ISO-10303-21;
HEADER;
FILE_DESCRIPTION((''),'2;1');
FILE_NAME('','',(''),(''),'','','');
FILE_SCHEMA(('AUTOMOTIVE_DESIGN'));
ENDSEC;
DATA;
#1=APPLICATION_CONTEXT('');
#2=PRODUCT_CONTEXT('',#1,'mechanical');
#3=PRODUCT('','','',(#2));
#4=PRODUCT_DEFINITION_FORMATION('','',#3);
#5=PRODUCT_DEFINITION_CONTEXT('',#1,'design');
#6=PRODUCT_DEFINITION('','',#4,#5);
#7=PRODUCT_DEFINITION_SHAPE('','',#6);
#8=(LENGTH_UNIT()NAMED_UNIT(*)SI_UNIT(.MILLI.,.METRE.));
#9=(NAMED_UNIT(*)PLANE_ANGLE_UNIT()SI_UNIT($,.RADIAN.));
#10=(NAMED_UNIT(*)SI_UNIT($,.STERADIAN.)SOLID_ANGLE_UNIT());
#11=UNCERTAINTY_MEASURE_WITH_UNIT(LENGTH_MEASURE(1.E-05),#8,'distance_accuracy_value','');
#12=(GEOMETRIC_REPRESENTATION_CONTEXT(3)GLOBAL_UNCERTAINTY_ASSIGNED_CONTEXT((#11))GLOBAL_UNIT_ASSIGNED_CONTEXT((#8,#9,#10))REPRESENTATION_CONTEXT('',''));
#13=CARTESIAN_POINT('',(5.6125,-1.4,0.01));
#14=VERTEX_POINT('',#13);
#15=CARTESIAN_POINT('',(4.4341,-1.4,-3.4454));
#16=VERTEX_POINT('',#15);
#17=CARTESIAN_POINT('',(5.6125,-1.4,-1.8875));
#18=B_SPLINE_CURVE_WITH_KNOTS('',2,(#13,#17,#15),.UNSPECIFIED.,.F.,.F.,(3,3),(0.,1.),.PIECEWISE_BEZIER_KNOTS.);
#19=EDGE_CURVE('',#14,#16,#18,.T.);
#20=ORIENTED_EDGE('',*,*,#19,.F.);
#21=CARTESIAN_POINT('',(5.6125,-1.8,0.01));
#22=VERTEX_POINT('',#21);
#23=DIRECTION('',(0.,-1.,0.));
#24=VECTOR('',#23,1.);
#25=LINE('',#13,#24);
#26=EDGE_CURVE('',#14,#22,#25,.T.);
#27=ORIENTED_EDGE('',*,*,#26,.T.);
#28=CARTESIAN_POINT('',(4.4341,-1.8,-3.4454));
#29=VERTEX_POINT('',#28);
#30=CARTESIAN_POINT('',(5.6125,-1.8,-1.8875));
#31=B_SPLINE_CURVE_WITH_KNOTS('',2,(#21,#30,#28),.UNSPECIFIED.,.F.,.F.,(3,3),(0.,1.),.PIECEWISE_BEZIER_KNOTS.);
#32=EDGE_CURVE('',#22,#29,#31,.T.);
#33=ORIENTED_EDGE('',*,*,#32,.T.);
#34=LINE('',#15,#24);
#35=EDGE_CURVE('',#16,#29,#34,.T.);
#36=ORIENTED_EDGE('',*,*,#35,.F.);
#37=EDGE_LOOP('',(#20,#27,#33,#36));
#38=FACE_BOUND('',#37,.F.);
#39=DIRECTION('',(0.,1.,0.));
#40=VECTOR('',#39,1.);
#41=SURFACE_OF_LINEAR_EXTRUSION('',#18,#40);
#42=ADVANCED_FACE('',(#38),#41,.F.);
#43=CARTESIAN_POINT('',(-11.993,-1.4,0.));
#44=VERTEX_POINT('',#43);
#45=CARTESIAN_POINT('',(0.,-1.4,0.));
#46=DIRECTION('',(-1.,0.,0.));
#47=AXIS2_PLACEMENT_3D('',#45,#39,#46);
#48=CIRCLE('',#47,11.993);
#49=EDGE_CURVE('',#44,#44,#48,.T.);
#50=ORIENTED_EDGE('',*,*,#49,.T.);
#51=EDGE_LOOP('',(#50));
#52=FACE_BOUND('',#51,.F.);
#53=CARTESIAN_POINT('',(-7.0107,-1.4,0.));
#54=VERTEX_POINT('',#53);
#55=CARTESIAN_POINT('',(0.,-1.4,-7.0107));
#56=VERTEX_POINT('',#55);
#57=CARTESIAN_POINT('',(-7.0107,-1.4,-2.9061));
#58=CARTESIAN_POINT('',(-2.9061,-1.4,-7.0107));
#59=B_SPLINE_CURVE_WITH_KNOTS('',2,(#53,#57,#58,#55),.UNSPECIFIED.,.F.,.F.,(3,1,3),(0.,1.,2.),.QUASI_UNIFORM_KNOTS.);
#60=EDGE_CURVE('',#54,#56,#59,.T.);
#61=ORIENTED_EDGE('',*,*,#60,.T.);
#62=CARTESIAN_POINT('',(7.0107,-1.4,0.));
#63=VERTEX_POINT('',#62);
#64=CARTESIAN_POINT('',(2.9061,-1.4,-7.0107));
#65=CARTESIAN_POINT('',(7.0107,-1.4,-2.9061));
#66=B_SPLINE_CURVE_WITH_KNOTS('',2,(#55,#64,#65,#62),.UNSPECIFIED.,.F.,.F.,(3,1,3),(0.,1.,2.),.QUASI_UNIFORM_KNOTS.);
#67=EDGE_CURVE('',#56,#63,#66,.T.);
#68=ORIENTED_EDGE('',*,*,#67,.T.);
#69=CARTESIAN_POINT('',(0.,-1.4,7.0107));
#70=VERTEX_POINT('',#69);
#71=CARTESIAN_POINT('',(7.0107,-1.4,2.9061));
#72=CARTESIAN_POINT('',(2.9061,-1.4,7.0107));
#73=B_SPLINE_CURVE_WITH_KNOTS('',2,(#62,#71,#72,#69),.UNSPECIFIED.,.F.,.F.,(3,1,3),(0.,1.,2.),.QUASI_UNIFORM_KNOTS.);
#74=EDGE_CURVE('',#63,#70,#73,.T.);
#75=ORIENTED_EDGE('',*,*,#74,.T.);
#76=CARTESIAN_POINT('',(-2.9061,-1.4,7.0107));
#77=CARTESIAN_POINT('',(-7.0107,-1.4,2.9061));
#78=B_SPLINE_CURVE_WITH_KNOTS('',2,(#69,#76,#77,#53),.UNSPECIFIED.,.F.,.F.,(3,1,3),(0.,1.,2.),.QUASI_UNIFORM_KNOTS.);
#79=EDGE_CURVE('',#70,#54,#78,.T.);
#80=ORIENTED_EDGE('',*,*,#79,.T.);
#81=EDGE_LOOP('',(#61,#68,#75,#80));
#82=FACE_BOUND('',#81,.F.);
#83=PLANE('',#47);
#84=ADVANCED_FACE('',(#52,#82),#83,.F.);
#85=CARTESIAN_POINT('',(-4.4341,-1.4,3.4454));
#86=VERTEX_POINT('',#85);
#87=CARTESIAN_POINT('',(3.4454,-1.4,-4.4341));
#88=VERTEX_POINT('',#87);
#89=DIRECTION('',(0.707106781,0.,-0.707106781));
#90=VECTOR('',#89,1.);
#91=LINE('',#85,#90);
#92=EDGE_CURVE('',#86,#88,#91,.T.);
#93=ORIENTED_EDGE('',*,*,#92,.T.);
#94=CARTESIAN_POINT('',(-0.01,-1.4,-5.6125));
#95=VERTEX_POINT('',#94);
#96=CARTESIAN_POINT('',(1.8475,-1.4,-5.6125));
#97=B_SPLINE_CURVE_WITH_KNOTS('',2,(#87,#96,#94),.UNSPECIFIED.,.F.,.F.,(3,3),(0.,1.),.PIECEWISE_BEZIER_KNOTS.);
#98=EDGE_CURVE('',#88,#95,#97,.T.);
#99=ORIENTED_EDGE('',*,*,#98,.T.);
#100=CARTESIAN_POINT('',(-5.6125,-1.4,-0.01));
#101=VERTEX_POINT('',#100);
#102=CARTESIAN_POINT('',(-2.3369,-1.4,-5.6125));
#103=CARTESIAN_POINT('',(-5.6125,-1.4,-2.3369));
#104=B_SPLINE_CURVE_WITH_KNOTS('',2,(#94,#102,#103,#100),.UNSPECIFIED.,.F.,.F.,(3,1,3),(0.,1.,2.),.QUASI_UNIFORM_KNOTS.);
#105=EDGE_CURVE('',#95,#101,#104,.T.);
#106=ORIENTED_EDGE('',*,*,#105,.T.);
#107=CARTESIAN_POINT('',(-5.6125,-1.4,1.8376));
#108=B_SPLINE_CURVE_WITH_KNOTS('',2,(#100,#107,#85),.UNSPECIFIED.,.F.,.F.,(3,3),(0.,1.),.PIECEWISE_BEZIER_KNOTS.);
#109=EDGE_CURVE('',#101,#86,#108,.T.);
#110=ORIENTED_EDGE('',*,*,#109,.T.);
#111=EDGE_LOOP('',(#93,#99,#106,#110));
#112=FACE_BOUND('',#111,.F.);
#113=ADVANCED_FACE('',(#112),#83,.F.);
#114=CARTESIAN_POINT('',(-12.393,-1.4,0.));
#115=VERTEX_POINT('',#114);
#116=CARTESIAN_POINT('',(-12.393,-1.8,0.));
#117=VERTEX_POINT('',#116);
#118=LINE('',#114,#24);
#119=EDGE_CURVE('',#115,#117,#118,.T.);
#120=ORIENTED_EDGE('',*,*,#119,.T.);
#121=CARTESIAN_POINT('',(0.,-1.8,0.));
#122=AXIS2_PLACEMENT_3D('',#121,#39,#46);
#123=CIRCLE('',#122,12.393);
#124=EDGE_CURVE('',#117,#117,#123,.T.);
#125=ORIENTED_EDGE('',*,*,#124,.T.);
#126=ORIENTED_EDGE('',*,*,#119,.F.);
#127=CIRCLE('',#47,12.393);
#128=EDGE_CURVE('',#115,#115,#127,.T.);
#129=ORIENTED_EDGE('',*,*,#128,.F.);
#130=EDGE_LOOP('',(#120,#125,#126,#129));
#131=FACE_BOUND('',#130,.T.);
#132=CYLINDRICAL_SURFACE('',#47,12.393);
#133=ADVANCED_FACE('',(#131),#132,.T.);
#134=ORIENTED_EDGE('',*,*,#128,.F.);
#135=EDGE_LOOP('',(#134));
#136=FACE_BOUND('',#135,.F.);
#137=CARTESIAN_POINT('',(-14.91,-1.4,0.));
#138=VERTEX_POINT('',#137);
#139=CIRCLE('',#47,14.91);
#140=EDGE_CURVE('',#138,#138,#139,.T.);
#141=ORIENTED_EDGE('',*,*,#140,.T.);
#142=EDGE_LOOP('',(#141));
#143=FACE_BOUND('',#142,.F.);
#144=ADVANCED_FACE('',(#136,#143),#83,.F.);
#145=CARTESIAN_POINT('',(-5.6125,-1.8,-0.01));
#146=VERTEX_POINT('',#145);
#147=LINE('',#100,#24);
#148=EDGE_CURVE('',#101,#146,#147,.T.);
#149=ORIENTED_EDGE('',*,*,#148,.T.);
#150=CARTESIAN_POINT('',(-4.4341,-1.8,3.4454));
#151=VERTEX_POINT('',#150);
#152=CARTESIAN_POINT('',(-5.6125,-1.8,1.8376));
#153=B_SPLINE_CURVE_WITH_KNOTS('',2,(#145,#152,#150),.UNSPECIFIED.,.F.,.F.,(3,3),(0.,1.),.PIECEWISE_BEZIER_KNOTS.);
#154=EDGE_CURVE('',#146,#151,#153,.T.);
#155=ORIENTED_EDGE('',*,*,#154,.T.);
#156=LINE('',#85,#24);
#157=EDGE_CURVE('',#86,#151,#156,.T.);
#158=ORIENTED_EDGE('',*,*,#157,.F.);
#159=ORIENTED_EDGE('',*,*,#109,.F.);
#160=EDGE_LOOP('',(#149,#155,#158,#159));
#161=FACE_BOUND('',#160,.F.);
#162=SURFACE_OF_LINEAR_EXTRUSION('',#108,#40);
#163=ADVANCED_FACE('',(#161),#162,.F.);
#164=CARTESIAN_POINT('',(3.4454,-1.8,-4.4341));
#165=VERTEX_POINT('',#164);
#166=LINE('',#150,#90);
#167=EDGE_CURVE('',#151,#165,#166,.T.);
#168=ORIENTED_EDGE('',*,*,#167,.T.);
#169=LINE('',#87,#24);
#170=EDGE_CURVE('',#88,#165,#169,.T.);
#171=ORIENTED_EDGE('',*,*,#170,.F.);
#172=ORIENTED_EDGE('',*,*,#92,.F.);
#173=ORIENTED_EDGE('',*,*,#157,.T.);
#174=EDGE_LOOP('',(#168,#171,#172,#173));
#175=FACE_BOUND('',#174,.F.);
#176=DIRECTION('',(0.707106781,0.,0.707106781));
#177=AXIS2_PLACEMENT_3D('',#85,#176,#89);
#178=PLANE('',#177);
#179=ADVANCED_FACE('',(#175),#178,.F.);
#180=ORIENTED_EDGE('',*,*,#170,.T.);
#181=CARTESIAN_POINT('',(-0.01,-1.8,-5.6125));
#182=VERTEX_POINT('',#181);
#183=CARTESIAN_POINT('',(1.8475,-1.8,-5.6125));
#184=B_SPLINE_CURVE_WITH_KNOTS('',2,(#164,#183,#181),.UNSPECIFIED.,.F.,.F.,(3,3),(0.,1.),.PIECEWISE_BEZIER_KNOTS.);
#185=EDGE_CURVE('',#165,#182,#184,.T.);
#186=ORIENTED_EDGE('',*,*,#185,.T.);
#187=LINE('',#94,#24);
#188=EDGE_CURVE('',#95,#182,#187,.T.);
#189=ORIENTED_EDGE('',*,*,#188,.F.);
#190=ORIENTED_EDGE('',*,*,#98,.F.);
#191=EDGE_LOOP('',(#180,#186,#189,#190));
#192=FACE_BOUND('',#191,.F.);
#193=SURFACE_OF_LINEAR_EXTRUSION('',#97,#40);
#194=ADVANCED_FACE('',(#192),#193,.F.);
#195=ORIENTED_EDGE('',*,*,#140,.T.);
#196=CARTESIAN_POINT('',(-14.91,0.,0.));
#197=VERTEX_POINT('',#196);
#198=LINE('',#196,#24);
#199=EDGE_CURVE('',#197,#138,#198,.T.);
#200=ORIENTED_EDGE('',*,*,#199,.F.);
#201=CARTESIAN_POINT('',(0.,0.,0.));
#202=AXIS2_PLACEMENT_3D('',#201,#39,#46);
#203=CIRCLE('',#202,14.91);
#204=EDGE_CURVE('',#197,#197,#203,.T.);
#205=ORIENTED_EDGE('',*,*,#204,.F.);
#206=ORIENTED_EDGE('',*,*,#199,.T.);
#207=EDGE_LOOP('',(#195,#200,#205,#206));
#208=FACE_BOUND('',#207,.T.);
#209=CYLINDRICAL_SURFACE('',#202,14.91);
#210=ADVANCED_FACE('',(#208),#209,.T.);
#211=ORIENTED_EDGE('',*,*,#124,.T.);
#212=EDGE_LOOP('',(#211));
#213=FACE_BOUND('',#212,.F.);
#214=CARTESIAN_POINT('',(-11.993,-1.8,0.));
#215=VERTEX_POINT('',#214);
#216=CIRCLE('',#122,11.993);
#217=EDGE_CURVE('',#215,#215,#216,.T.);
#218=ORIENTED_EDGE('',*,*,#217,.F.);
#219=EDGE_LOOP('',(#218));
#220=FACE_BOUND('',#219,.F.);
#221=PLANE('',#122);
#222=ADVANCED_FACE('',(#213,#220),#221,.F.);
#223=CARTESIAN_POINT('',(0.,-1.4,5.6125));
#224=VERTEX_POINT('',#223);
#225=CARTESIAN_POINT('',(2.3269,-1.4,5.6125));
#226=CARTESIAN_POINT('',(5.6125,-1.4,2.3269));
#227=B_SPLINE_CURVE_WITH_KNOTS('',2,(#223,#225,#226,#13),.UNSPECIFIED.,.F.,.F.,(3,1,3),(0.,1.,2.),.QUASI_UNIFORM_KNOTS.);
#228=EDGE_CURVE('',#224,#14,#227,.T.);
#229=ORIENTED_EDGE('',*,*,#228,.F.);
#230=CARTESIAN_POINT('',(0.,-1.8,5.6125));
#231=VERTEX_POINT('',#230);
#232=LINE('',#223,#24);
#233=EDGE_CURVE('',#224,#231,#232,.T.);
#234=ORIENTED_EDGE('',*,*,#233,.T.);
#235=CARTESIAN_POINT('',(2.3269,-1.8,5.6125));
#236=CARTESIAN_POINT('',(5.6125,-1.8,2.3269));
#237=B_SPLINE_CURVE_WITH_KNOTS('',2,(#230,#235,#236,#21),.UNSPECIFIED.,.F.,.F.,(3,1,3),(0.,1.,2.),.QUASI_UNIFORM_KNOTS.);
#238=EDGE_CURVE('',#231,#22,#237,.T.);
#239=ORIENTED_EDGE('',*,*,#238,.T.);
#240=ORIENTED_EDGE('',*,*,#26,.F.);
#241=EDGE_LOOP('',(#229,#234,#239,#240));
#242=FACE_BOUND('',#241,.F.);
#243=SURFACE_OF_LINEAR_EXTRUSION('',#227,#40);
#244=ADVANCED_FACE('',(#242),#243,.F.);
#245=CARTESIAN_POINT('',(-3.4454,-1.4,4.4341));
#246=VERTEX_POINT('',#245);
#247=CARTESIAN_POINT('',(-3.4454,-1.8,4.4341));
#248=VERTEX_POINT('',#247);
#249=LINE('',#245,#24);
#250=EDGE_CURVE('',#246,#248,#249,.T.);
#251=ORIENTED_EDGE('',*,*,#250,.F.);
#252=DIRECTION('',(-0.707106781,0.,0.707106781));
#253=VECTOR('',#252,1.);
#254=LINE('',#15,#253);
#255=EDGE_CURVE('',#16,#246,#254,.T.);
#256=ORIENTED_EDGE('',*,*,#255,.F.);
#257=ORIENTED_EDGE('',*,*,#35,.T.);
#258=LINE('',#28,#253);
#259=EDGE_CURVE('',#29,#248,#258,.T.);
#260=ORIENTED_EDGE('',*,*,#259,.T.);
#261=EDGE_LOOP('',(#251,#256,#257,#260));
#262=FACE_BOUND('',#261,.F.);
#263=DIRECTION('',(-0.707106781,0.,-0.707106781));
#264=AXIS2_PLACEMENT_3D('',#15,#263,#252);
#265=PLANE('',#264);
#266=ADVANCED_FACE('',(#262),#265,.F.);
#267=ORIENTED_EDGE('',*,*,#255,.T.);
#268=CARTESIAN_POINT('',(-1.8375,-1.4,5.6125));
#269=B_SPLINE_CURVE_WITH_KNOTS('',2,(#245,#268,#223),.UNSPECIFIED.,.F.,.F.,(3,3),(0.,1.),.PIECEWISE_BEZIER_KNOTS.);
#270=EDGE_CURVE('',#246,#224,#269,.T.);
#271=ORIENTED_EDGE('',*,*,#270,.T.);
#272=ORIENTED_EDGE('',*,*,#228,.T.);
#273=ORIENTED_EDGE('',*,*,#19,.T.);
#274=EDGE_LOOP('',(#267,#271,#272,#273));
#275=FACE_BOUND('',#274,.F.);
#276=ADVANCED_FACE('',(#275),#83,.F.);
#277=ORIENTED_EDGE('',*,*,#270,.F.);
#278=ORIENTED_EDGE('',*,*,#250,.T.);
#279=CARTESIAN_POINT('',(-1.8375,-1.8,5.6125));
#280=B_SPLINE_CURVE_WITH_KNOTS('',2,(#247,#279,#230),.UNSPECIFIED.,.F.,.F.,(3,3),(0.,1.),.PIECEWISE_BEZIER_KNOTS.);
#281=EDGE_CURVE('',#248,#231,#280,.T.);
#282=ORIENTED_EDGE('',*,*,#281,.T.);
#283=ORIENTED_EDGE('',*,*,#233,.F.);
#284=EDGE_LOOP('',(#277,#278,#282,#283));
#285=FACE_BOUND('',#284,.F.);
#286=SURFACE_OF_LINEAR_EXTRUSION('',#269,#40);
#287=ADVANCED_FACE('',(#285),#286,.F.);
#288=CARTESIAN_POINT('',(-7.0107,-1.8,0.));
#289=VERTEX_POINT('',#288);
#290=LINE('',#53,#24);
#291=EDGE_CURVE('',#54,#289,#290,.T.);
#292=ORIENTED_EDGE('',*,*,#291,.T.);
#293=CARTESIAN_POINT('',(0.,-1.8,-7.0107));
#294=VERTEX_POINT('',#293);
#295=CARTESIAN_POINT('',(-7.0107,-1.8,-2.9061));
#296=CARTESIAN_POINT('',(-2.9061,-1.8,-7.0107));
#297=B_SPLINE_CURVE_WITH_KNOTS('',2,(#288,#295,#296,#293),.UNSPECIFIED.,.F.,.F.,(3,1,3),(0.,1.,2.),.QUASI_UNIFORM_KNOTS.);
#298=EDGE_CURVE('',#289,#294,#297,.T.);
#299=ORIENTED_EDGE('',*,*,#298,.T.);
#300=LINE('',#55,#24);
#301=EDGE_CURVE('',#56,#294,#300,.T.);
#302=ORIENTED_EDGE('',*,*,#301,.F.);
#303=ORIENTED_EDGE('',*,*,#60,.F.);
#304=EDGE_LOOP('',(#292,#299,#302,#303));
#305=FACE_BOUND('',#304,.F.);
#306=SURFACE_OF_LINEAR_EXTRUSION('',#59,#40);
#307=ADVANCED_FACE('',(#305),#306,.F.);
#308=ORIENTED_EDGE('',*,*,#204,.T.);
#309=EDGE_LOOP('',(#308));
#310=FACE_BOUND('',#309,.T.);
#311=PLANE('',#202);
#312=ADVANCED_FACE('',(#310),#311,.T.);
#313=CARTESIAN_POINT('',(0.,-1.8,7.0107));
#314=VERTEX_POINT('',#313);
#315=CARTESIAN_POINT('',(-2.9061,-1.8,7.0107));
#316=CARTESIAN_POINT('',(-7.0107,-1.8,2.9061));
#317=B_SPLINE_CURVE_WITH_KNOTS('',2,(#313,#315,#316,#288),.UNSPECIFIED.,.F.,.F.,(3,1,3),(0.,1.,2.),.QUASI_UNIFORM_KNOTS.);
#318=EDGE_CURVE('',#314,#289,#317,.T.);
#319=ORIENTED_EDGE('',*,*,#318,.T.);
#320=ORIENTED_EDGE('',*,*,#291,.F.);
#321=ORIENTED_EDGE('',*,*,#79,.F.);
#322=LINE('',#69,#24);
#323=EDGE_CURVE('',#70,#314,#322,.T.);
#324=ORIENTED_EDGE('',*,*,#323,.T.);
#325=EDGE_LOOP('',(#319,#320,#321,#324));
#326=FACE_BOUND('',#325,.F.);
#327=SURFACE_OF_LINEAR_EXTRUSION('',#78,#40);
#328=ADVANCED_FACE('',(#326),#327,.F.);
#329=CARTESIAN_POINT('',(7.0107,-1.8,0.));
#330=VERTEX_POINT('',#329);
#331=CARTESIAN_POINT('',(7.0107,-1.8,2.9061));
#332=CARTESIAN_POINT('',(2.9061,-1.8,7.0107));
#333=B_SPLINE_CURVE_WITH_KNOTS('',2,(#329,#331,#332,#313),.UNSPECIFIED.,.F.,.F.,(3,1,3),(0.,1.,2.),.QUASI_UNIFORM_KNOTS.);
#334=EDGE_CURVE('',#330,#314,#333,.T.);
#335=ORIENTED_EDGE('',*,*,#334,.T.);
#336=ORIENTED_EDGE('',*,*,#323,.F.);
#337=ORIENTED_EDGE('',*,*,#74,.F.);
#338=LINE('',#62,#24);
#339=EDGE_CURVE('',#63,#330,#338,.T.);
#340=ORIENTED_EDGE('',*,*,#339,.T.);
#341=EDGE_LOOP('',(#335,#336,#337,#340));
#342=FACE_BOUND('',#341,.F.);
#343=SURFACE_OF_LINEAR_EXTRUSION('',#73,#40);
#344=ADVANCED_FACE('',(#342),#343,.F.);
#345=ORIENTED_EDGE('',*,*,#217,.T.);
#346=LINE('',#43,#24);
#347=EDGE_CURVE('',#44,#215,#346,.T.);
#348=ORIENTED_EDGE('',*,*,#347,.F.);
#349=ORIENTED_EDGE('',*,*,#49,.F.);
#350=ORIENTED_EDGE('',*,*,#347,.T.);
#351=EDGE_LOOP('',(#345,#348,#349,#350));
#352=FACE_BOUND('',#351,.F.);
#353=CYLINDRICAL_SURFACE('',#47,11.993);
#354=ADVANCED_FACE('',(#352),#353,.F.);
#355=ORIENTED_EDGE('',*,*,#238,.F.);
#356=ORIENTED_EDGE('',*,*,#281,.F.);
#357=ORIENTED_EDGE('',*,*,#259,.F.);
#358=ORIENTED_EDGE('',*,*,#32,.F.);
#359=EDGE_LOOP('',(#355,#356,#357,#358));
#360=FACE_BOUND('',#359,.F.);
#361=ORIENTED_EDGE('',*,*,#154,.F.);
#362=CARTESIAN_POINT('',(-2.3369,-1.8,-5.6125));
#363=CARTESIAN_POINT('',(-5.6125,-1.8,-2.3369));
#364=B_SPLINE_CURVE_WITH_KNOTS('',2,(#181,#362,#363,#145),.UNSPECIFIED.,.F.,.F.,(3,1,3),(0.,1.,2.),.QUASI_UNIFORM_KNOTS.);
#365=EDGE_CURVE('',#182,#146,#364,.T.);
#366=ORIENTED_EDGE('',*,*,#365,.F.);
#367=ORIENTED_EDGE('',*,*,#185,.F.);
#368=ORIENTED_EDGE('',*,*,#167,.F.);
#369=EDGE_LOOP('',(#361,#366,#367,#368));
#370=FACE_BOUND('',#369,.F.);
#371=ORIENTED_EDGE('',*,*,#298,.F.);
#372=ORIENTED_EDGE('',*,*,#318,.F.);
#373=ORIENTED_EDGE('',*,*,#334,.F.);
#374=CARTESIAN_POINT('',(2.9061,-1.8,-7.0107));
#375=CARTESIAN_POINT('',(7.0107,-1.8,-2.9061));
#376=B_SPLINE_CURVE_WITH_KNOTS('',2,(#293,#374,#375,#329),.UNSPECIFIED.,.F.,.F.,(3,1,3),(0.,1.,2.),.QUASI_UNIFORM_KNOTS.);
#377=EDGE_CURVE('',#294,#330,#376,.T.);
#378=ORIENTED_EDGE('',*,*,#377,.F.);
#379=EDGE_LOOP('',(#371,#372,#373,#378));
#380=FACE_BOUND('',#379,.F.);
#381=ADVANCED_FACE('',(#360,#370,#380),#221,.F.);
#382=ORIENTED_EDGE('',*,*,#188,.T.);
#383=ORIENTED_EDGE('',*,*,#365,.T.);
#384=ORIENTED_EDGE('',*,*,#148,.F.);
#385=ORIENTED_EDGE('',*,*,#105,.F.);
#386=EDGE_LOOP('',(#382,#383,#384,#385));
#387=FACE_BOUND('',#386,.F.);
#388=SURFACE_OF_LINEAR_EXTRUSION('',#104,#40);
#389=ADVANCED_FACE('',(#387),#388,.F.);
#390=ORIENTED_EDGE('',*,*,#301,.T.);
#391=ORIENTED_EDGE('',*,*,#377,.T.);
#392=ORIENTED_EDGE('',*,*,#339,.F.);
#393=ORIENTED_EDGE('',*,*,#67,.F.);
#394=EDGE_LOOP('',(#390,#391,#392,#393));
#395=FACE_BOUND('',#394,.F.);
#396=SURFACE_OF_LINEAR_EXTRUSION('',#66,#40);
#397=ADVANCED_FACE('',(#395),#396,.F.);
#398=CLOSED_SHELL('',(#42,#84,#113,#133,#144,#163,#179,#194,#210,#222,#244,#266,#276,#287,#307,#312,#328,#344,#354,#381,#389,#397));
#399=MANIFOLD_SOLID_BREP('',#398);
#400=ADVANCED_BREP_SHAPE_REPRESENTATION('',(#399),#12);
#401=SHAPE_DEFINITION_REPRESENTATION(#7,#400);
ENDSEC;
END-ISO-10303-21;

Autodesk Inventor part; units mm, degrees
ref_plane "YZ Plane" through (0, 0, 0) normal (1, 0, 0) x (0, 1, 0)
ref_plane "XZ Plane" through (0, 0, 0) normal (0, 1, 0) x (-1, 0, 0)
sketch "Sketch1" plane through (0, 0, 0) normal (0, 1, 0) x (-1, 0, 0)
  circle A0 centre (0, 0) radius 14.91
  dimension "d0" = 29.82
extrude "Extrusion1" add sketch "Sketch1" against normal blind 1.4
ref_plane "Work Plane1" through (0, -1.4, 0) normal (0, 1, 0) x (-1, 0, 0)
sketch "Sketch2" plane through (0, -1.4, 0) normal (0, 1, 0) x (-1, 0, 0)
  line L0 (7.6891, 7.5378) -> (7.6891, -7.5378) construction
  line L1 (7.6891, -7.5378) -> (-7.6891, -7.5378) construction
  line L2 (-7.6891, -7.5378) -> (-7.6891, 7.5378) construction
  line L3 (-7.6891, 7.5378) -> (7.6891, 7.5378) construction
  circle A0 centre (0, 0) radius 14.91 construction
  line L4 (0, 14.91) -> (0, -14.91) construction
  line L5 (-14.91, 0) -> (14.91, 0) construction
  circle A1 centre (0, 0) radius 12.393
  circle A2 centre (0, 0) radius 11.993
  spline S0 degree 2 poles (0, -7.0107) (-2.9061, -7.0107) (-7.0107, -2.9061) (-7.0107, 0) knots 0 0 0 1 2 2 2
  spline S1 degree 2 poles (-7.0107, 0) (-7.0107, 2.9061) (-2.9061, 7.0107) (0, 7.0107) knots 0 0 0 1 2 2 2
  spline S2 degree 2 poles (0, 7.0107) (2.9061, 7.0107) (7.0107, 2.9061) (7.0107, 0) knots 0 0 0 1 2 2 2
  spline S3 degree 2 poles (7.0107, 0) (7.0107, -2.9061) (2.9061, -7.0107) (0, -7.0107) knots 0 0 0 1 2 2 2
  line L6 (4.4341, 3.4454) -> (-3.4454, -4.4341)
  spline S4 degree 2 poles (-3.4454, -4.4341) (-1.8475, -5.6125) (0.01, -5.6125) knots 0 0 0 1 1 1
  spline S5 degree 2 poles (0.01, -5.6125) (2.3369, -5.6125) (5.6125, -2.3369) (5.6125, -0.01) knots 0 0 0 1 2 2 2
  spline S6 degree 2 poles (5.6125, -0.01) (5.6125, 1.8376) (4.4341, 3.4454) knots 0 0 0 1 1 1
  line L7 (-4.4341, -3.4454) -> (3.4454, 4.4341)
  spline S7 degree 2 poles (3.4454, 4.4341) (1.8375, 5.6125) (0, 5.6125) knots 0 0 0 1 1 1
  spline S8 degree 2 poles (0, 5.6125) (-2.3269, 5.6125) (-5.6125, 2.3269) (-5.6125, 0.01) knots 0 0 0 1 2 2 2
  spline S9 degree 2 poles (-5.6125, 0.01) (-5.6125, -1.8875) (-4.4341, -3.4454) knots 0 0 0 1 1 1
  dimension "d5" = 29.82
  dimension "d6" = 15.0756
  dimension "d7" = 15.3782
  dimension "d8" = 7.3722
  dimension "d9" = 7.2209
  dimension "d10" = 0.4
extrude "Extrusion2" add sketch "Sketch2" against normal blind 0.4
equation "\"d8\" = 0.5 * d5 - 0.5 * d6"
equation "\"d9\" = 0.5 * d5 - 0.5 * d7"
properties part number "stamp_circular_hand" material "PET Plastic"
